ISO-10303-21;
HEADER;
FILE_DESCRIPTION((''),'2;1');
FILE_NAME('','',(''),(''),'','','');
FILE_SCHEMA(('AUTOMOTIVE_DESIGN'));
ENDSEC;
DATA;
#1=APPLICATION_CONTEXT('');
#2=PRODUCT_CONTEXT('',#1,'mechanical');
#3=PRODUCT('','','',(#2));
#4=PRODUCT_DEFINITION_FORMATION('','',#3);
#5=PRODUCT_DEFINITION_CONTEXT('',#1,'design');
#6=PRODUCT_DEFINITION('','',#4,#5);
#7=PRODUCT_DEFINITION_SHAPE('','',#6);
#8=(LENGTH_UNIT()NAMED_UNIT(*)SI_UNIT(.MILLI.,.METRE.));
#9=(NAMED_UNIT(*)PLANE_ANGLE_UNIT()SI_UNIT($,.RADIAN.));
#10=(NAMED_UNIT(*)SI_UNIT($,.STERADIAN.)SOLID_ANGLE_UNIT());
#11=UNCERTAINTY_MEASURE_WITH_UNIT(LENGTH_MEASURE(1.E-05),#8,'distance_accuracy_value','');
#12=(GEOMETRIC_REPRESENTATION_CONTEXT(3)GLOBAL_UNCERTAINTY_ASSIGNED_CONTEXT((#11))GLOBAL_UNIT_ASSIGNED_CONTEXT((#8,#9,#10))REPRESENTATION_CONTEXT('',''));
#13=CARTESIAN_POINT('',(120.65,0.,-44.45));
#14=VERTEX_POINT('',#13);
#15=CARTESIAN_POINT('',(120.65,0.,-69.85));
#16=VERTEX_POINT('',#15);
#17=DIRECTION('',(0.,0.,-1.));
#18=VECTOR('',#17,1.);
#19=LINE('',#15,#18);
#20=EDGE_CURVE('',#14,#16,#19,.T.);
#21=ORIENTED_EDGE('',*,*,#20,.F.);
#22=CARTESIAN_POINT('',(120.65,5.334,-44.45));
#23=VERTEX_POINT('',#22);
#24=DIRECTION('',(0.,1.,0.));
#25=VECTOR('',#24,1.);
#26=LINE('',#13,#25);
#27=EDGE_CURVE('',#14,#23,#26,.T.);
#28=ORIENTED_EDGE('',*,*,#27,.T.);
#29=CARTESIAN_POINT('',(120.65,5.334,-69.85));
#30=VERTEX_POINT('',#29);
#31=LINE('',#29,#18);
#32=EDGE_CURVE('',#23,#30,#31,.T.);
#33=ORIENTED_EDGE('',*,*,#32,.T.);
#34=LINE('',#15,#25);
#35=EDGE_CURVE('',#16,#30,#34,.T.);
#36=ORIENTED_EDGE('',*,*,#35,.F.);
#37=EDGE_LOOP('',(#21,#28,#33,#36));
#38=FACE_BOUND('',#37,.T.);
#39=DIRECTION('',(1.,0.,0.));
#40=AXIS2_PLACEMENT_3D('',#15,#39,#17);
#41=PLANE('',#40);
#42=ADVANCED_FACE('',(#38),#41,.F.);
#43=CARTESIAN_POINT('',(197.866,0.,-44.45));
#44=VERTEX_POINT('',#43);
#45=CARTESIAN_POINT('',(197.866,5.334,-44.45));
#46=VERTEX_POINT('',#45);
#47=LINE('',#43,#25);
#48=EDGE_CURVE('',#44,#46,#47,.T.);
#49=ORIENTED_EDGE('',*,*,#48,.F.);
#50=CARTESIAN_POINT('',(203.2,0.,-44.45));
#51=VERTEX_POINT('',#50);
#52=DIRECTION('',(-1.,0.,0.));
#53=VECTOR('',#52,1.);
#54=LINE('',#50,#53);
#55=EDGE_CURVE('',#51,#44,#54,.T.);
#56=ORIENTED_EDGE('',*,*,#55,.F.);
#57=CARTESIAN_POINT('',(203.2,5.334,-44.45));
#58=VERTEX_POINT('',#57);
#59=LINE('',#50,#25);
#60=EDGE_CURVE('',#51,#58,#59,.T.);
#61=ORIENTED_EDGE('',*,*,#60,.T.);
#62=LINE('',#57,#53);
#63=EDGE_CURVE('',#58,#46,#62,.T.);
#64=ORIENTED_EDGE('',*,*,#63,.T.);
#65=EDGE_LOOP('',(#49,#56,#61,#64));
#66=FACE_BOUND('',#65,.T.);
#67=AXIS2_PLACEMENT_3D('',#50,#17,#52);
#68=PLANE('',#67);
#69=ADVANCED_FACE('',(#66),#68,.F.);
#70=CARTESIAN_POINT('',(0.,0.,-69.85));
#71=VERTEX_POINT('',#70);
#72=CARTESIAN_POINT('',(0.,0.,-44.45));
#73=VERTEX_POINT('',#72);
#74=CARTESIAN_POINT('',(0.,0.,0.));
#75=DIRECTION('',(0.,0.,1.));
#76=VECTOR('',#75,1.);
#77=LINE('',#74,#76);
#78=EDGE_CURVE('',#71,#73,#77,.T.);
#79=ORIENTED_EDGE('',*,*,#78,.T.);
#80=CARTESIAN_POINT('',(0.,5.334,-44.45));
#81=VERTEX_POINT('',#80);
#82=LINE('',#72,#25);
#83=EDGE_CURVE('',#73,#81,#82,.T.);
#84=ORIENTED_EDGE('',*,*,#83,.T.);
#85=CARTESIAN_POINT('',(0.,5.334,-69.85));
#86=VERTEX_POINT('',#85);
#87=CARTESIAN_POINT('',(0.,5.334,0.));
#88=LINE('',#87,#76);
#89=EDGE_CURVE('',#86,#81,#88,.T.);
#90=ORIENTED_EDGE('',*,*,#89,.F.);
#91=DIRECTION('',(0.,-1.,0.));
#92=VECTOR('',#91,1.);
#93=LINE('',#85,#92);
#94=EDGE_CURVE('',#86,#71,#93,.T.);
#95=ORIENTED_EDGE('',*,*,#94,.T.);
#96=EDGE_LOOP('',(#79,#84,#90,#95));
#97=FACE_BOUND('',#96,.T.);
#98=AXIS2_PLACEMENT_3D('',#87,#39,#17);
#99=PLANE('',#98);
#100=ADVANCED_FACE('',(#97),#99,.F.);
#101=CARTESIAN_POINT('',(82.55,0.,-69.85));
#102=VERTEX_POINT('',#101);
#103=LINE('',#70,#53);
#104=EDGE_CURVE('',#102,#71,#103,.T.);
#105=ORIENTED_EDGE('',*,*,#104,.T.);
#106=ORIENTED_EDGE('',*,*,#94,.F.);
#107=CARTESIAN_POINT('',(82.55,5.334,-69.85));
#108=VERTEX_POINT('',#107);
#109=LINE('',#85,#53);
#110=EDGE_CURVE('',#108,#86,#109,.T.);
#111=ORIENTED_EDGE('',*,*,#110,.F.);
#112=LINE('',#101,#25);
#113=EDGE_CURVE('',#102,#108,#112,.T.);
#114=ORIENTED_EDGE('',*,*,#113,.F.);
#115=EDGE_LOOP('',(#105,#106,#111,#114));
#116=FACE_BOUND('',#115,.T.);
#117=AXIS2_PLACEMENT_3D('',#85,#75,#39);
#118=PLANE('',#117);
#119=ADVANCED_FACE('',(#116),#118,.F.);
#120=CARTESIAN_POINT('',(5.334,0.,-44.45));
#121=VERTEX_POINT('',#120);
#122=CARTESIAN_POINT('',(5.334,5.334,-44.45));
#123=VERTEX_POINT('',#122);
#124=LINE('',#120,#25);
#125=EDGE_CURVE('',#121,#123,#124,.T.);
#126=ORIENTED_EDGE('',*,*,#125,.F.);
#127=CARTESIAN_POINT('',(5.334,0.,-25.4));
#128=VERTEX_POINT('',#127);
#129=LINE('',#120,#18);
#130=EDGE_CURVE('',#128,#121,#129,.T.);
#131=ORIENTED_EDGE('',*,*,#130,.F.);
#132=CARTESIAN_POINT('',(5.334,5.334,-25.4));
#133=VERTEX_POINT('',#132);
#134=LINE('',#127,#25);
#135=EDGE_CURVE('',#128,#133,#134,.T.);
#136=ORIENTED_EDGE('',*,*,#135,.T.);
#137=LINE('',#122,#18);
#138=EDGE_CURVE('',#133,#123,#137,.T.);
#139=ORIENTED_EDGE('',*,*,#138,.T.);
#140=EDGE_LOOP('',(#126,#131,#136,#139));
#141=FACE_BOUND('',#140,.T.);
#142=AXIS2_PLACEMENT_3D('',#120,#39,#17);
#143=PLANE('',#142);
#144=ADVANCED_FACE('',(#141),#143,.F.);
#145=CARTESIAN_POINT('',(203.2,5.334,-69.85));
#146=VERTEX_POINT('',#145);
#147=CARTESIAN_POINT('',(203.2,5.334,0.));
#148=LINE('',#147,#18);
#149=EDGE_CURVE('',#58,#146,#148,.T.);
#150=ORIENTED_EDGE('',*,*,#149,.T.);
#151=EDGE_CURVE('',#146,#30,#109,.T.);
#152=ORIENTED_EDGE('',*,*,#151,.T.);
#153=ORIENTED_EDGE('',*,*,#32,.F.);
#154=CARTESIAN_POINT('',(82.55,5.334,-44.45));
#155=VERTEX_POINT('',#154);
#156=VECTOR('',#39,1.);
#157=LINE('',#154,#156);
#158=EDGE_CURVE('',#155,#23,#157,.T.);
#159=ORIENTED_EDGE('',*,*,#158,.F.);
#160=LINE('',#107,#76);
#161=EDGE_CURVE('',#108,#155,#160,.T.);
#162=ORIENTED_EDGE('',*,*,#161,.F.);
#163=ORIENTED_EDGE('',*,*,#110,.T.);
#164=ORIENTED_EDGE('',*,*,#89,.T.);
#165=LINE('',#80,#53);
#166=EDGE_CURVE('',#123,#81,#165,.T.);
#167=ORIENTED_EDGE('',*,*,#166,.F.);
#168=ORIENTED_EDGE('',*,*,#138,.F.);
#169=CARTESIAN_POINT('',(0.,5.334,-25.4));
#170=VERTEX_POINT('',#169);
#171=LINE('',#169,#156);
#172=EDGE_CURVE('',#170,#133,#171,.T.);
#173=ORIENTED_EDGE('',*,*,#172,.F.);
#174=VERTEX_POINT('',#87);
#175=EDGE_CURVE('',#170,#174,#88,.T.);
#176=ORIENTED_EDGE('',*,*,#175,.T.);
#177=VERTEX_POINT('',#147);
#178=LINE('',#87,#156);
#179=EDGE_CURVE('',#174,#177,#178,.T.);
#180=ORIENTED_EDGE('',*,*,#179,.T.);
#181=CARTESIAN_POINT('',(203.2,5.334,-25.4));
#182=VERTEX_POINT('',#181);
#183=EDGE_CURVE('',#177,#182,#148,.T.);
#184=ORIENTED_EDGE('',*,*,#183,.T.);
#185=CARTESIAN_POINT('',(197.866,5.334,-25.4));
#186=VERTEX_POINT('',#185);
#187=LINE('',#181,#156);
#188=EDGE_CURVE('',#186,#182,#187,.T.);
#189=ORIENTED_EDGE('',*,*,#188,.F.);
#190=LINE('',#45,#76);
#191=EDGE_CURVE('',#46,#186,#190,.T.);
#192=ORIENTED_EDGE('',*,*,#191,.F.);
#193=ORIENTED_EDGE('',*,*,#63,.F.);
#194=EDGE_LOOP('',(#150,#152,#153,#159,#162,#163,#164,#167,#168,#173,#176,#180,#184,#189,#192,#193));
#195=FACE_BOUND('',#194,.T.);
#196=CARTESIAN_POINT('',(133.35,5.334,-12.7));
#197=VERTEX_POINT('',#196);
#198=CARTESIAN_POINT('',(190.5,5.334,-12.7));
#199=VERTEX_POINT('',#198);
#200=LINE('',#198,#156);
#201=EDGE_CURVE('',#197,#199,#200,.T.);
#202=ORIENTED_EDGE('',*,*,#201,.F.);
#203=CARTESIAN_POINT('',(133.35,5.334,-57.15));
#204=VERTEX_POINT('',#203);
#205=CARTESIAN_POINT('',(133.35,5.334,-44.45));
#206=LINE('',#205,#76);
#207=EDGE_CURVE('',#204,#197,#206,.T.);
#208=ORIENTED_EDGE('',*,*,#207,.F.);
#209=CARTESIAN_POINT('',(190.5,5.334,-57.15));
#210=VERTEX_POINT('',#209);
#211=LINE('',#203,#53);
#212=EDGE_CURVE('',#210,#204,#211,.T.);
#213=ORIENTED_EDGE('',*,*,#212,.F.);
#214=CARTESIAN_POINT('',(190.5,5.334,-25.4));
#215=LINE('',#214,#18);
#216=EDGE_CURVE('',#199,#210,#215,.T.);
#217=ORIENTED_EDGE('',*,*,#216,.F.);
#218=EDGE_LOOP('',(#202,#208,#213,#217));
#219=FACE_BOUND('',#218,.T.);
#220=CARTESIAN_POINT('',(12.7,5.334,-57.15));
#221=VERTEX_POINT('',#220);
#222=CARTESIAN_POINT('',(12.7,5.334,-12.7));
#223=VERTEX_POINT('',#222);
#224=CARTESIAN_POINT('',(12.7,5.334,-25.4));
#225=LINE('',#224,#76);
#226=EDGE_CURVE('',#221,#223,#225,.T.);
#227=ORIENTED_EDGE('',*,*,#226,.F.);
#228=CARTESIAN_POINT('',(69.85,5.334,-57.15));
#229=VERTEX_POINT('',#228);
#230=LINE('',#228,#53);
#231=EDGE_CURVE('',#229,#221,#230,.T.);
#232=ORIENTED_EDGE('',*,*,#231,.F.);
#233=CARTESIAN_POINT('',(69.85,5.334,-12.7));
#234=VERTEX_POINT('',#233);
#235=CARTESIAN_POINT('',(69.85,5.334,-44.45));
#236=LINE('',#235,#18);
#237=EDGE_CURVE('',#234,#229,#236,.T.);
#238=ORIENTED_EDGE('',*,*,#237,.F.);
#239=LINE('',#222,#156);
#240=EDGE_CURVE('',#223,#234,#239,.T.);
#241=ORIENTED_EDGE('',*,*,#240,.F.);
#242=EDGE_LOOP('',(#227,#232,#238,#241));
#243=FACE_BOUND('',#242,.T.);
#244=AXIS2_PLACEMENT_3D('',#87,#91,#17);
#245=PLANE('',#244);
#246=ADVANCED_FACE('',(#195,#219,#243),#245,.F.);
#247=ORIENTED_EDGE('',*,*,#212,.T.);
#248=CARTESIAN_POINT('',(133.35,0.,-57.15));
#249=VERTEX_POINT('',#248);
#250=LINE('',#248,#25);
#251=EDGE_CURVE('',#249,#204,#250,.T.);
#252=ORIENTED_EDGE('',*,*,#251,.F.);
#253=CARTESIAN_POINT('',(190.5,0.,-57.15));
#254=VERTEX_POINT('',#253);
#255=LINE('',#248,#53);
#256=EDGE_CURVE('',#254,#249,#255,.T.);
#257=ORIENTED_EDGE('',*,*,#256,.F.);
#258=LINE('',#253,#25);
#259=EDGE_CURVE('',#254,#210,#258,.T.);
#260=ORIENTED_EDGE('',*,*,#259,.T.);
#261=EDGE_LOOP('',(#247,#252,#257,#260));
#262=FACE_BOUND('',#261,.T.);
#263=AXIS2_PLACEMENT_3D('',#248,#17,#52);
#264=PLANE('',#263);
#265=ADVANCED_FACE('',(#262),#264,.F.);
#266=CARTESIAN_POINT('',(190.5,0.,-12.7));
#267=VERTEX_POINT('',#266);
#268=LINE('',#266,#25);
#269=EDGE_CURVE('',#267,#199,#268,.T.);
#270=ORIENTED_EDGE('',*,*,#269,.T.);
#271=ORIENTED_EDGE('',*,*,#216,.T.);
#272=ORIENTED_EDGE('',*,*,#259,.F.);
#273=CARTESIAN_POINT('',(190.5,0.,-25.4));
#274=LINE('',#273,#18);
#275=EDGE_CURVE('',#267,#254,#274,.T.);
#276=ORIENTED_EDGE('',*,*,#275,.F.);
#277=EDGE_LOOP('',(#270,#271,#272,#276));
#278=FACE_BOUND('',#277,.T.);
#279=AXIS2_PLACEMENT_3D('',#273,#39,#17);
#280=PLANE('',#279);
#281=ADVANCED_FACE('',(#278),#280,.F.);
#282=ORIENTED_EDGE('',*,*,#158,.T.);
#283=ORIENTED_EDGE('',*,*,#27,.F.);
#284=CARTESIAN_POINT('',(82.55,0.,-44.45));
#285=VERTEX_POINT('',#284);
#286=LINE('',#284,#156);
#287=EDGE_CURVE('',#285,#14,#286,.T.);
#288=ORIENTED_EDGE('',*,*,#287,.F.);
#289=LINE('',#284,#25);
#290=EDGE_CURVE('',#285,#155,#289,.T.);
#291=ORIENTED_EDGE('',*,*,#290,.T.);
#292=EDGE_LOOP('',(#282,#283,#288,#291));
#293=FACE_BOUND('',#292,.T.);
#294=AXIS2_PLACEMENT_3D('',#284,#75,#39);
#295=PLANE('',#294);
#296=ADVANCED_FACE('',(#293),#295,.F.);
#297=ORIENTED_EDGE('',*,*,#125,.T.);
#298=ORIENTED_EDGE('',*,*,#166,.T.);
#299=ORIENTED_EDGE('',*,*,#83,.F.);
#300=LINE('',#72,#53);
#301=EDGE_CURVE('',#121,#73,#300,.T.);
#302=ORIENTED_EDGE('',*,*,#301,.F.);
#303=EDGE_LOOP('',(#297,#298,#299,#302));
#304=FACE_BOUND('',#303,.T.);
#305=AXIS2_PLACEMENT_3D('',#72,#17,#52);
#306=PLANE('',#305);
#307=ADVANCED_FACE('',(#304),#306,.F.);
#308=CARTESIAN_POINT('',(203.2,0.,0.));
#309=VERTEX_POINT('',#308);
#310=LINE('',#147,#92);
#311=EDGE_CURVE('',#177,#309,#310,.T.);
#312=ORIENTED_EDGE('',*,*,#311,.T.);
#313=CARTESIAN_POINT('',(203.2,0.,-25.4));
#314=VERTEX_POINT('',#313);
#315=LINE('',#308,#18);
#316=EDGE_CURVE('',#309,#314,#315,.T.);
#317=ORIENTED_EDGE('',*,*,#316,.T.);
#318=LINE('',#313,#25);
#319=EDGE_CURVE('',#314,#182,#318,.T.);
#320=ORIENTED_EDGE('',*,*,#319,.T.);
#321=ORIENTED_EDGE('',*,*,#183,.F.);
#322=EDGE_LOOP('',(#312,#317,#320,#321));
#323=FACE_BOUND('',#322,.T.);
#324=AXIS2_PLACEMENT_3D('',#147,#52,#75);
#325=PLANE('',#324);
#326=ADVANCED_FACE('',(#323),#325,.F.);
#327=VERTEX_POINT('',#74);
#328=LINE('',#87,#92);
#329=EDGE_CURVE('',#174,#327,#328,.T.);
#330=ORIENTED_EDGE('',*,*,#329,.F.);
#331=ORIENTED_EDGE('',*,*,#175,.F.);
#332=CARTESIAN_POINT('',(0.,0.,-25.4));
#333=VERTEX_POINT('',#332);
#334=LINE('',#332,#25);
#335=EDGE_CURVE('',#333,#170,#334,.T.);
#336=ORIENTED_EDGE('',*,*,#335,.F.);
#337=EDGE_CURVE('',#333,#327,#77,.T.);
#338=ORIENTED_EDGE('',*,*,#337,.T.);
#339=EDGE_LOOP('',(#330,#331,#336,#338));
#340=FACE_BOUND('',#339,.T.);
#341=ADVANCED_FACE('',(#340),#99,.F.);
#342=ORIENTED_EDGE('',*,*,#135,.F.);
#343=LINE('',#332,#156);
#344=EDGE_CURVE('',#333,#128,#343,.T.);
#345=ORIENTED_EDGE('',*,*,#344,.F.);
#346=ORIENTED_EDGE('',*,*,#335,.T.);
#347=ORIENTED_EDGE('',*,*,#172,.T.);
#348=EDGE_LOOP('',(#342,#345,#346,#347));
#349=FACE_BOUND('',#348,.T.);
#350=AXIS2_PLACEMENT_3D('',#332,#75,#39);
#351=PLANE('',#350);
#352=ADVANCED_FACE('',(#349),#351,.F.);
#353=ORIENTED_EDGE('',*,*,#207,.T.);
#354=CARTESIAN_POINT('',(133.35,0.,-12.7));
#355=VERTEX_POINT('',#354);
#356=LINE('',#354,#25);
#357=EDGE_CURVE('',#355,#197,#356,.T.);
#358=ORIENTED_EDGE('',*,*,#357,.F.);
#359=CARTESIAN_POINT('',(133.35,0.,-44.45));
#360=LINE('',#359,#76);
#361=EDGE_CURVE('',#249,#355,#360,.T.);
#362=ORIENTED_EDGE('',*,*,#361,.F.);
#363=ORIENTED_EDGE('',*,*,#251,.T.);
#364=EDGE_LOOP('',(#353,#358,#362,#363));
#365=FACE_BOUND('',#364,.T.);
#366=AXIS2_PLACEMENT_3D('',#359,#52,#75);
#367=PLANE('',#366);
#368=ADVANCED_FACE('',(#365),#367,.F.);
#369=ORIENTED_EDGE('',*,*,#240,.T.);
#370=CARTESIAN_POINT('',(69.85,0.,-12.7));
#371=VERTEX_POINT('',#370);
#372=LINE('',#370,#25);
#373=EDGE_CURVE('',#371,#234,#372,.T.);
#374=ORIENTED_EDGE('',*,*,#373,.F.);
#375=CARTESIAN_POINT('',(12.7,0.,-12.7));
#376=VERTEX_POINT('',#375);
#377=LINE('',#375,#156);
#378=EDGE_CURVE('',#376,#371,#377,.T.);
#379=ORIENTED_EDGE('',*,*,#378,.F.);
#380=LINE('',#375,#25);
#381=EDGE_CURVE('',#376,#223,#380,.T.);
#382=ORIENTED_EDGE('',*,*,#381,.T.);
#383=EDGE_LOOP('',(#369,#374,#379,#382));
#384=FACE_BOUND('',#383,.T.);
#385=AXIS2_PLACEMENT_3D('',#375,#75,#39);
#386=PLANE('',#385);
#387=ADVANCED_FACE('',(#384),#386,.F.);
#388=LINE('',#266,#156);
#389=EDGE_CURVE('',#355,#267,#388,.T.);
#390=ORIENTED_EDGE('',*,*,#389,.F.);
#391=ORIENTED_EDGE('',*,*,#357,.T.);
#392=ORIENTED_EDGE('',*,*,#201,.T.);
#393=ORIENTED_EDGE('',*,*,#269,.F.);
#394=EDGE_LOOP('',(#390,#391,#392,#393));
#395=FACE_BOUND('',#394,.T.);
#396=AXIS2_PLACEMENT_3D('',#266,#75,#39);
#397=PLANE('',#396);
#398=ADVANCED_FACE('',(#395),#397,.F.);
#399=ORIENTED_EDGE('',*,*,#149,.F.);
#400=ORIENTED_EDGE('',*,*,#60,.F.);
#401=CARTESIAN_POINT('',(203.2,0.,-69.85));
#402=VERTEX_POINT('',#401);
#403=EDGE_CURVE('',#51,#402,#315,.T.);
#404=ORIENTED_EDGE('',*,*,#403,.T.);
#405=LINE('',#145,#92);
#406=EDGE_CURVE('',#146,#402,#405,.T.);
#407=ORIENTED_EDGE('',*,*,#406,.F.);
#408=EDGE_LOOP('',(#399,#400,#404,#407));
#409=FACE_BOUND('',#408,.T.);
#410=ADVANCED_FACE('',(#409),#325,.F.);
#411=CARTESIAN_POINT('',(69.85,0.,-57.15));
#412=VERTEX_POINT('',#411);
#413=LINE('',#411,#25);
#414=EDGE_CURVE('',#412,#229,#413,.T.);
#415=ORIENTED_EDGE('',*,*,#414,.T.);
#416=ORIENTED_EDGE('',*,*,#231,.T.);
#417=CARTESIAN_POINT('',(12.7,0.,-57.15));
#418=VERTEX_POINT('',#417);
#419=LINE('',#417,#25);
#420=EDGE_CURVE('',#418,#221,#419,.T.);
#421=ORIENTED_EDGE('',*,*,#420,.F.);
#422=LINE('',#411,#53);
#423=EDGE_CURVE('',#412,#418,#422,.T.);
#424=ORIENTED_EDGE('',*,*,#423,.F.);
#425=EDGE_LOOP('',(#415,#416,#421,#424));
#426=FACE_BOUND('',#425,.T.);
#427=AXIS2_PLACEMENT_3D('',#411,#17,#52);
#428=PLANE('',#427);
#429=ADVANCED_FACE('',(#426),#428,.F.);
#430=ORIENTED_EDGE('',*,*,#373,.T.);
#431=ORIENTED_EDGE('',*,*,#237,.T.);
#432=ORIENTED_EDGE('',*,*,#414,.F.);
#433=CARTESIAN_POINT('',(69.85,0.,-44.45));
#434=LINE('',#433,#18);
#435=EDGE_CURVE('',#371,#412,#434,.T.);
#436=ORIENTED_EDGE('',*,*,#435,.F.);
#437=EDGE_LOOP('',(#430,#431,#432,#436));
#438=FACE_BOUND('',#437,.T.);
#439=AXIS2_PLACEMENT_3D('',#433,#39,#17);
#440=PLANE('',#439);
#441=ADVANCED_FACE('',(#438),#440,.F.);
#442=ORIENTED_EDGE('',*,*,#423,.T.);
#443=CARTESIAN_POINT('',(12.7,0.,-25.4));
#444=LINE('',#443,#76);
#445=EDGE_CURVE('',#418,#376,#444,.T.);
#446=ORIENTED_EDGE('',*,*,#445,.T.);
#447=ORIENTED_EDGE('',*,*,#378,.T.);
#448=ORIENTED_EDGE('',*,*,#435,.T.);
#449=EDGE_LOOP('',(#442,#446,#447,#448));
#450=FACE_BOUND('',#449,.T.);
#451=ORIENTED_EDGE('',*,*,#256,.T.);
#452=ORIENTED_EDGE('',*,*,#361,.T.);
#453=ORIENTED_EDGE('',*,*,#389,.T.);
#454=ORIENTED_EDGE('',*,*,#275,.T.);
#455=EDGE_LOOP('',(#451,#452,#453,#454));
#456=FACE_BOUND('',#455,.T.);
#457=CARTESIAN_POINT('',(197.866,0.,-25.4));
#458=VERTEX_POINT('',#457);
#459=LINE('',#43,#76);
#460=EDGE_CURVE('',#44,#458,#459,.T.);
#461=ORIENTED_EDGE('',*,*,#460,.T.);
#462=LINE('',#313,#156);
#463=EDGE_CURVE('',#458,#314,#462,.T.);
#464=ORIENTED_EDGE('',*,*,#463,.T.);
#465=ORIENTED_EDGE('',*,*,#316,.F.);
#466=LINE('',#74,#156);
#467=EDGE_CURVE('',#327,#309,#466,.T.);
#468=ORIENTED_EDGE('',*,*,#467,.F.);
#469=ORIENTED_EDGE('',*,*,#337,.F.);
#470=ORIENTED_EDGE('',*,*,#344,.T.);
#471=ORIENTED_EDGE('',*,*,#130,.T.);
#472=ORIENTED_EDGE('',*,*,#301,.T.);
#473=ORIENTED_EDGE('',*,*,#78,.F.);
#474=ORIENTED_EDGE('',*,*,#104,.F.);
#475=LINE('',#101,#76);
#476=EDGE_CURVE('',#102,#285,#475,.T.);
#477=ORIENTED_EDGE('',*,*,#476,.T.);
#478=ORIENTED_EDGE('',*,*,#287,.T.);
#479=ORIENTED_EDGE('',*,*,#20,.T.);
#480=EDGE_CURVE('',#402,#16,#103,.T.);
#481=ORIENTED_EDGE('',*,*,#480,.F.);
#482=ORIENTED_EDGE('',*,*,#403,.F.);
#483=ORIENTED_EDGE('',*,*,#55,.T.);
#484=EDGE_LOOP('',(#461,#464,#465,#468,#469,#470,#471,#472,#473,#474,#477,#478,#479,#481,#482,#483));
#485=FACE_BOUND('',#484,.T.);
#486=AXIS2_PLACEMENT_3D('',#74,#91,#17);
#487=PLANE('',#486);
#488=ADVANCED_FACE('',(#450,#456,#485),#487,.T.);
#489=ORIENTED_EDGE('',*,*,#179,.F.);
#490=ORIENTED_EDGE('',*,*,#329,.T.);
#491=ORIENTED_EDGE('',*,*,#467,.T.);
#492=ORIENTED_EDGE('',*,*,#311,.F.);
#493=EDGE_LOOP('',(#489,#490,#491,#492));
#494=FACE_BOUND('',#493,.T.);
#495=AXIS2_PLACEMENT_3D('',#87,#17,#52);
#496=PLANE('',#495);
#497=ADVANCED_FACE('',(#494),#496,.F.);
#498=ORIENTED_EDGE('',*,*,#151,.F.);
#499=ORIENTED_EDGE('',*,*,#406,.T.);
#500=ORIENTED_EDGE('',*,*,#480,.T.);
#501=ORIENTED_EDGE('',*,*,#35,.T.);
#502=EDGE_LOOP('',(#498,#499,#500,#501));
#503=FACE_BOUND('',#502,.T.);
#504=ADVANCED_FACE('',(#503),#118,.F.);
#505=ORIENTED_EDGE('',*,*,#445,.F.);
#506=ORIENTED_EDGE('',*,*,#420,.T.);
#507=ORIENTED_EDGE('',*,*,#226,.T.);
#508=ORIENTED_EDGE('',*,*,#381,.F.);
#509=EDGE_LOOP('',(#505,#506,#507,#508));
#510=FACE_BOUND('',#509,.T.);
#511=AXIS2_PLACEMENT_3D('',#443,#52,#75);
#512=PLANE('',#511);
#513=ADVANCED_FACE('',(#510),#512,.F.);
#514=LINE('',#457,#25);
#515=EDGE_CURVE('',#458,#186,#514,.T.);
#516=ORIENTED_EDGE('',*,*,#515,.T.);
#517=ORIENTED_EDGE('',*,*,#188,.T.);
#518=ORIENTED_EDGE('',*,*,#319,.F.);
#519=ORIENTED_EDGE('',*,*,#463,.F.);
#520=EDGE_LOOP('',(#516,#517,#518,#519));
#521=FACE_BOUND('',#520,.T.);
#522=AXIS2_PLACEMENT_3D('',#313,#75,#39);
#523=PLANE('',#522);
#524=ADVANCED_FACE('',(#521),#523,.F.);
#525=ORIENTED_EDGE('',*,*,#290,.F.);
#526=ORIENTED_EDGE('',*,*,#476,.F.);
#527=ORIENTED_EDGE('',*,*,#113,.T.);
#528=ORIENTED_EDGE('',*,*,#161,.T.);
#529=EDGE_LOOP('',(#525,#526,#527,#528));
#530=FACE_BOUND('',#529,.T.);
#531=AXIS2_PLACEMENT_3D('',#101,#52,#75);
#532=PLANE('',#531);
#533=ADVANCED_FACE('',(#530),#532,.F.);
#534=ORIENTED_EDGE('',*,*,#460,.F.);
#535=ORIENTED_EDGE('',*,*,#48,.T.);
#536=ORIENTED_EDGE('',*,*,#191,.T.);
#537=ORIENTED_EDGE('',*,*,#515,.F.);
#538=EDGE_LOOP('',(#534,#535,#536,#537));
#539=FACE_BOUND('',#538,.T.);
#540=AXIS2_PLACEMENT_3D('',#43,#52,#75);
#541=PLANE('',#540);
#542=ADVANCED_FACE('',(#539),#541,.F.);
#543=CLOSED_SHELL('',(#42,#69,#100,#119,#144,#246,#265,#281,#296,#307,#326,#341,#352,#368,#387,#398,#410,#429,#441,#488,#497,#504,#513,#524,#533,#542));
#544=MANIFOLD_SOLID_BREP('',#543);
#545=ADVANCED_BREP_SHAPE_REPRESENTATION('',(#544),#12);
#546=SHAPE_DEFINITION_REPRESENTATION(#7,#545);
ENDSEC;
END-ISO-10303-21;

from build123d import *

# Parameters (mm, degrees)
SKETCH1_W              = 203.2
SKETCH1_H              = 69.85
BASE_DEPTH             = 5.334
SKETCH2_W              = 5.334
SKETCH2_H              = 19.05
SLOTS_DEPTH            = 215.936534949
SKETCH3_W              = 38.1
SKETCH3_H              = 25.4
CENTER_CUTOUT_DEPTH    = 215.936534949
WEIGHT_REDUCTION_DEPTH = 215.936534949


with BuildPart() as part:
    # Sketch1 → Base (new body)
    with BuildSketch(Plane(origin=(0, 0, 0), x_dir=(1, 0, 0), z_dir=(0, 1, 0))):
        with Locations((101.6, 34.925)):
            Rectangle(SKETCH1_W, SKETCH1_H)
    extrude(amount=BASE_DEPTH)

    # Sketch2 → Slots (cut, through all)
    with BuildSketch(Plane(origin=(0, 5.334, 0), x_dir=(1, 0, 0), z_dir=(0, 1, 0))):
        with Locations((2.667, 34.925)):
            Rectangle(SKETCH2_W, SKETCH2_H)
        with Locations((200.533, 34.925)):
            Rectangle(SKETCH2_W, SKETCH2_H)
    extrude(amount=-SLOTS_DEPTH, mode=Mode.SUBTRACT)

    # Sketch3 → Center Cutout (cut, through all)
    with BuildSketch(Plane(origin=(0, 5.334, 0), x_dir=(1, 0, 0), z_dir=(0, 1, 0))):
        with Locations((101.6, 57.15)):
            Rectangle(SKETCH3_W, SKETCH3_H)
    extrude(amount=-CENTER_CUTOUT_DEPTH, mode=Mode.SUBTRACT)

    # Sketch4 → Weight Reduction (cut, through all)
    with BuildSketch(Plane(origin=(0, 5.334, 0), x_dir=(1, 0, 0), z_dir=(0, 1, 0))):
        Polygon((69.85, 44.45), (69.85, 57.15), (12.7, 57.15), (12.7, 44.45), (12.7, 25.4), (12.7, 12.7), (69.85, 12.7), align=None)
        Polygon((190.5, 25.4), (190.5, 12.7), (133.35, 12.7), (133.35, 44.45), (133.35, 57.15), (190.5, 57.15), (190.5, 44.45), align=None)
    extrude(amount=-WEIGHT_REDUCTION_DEPTH, mode=Mode.SUBTRACT)


solid = part.part
